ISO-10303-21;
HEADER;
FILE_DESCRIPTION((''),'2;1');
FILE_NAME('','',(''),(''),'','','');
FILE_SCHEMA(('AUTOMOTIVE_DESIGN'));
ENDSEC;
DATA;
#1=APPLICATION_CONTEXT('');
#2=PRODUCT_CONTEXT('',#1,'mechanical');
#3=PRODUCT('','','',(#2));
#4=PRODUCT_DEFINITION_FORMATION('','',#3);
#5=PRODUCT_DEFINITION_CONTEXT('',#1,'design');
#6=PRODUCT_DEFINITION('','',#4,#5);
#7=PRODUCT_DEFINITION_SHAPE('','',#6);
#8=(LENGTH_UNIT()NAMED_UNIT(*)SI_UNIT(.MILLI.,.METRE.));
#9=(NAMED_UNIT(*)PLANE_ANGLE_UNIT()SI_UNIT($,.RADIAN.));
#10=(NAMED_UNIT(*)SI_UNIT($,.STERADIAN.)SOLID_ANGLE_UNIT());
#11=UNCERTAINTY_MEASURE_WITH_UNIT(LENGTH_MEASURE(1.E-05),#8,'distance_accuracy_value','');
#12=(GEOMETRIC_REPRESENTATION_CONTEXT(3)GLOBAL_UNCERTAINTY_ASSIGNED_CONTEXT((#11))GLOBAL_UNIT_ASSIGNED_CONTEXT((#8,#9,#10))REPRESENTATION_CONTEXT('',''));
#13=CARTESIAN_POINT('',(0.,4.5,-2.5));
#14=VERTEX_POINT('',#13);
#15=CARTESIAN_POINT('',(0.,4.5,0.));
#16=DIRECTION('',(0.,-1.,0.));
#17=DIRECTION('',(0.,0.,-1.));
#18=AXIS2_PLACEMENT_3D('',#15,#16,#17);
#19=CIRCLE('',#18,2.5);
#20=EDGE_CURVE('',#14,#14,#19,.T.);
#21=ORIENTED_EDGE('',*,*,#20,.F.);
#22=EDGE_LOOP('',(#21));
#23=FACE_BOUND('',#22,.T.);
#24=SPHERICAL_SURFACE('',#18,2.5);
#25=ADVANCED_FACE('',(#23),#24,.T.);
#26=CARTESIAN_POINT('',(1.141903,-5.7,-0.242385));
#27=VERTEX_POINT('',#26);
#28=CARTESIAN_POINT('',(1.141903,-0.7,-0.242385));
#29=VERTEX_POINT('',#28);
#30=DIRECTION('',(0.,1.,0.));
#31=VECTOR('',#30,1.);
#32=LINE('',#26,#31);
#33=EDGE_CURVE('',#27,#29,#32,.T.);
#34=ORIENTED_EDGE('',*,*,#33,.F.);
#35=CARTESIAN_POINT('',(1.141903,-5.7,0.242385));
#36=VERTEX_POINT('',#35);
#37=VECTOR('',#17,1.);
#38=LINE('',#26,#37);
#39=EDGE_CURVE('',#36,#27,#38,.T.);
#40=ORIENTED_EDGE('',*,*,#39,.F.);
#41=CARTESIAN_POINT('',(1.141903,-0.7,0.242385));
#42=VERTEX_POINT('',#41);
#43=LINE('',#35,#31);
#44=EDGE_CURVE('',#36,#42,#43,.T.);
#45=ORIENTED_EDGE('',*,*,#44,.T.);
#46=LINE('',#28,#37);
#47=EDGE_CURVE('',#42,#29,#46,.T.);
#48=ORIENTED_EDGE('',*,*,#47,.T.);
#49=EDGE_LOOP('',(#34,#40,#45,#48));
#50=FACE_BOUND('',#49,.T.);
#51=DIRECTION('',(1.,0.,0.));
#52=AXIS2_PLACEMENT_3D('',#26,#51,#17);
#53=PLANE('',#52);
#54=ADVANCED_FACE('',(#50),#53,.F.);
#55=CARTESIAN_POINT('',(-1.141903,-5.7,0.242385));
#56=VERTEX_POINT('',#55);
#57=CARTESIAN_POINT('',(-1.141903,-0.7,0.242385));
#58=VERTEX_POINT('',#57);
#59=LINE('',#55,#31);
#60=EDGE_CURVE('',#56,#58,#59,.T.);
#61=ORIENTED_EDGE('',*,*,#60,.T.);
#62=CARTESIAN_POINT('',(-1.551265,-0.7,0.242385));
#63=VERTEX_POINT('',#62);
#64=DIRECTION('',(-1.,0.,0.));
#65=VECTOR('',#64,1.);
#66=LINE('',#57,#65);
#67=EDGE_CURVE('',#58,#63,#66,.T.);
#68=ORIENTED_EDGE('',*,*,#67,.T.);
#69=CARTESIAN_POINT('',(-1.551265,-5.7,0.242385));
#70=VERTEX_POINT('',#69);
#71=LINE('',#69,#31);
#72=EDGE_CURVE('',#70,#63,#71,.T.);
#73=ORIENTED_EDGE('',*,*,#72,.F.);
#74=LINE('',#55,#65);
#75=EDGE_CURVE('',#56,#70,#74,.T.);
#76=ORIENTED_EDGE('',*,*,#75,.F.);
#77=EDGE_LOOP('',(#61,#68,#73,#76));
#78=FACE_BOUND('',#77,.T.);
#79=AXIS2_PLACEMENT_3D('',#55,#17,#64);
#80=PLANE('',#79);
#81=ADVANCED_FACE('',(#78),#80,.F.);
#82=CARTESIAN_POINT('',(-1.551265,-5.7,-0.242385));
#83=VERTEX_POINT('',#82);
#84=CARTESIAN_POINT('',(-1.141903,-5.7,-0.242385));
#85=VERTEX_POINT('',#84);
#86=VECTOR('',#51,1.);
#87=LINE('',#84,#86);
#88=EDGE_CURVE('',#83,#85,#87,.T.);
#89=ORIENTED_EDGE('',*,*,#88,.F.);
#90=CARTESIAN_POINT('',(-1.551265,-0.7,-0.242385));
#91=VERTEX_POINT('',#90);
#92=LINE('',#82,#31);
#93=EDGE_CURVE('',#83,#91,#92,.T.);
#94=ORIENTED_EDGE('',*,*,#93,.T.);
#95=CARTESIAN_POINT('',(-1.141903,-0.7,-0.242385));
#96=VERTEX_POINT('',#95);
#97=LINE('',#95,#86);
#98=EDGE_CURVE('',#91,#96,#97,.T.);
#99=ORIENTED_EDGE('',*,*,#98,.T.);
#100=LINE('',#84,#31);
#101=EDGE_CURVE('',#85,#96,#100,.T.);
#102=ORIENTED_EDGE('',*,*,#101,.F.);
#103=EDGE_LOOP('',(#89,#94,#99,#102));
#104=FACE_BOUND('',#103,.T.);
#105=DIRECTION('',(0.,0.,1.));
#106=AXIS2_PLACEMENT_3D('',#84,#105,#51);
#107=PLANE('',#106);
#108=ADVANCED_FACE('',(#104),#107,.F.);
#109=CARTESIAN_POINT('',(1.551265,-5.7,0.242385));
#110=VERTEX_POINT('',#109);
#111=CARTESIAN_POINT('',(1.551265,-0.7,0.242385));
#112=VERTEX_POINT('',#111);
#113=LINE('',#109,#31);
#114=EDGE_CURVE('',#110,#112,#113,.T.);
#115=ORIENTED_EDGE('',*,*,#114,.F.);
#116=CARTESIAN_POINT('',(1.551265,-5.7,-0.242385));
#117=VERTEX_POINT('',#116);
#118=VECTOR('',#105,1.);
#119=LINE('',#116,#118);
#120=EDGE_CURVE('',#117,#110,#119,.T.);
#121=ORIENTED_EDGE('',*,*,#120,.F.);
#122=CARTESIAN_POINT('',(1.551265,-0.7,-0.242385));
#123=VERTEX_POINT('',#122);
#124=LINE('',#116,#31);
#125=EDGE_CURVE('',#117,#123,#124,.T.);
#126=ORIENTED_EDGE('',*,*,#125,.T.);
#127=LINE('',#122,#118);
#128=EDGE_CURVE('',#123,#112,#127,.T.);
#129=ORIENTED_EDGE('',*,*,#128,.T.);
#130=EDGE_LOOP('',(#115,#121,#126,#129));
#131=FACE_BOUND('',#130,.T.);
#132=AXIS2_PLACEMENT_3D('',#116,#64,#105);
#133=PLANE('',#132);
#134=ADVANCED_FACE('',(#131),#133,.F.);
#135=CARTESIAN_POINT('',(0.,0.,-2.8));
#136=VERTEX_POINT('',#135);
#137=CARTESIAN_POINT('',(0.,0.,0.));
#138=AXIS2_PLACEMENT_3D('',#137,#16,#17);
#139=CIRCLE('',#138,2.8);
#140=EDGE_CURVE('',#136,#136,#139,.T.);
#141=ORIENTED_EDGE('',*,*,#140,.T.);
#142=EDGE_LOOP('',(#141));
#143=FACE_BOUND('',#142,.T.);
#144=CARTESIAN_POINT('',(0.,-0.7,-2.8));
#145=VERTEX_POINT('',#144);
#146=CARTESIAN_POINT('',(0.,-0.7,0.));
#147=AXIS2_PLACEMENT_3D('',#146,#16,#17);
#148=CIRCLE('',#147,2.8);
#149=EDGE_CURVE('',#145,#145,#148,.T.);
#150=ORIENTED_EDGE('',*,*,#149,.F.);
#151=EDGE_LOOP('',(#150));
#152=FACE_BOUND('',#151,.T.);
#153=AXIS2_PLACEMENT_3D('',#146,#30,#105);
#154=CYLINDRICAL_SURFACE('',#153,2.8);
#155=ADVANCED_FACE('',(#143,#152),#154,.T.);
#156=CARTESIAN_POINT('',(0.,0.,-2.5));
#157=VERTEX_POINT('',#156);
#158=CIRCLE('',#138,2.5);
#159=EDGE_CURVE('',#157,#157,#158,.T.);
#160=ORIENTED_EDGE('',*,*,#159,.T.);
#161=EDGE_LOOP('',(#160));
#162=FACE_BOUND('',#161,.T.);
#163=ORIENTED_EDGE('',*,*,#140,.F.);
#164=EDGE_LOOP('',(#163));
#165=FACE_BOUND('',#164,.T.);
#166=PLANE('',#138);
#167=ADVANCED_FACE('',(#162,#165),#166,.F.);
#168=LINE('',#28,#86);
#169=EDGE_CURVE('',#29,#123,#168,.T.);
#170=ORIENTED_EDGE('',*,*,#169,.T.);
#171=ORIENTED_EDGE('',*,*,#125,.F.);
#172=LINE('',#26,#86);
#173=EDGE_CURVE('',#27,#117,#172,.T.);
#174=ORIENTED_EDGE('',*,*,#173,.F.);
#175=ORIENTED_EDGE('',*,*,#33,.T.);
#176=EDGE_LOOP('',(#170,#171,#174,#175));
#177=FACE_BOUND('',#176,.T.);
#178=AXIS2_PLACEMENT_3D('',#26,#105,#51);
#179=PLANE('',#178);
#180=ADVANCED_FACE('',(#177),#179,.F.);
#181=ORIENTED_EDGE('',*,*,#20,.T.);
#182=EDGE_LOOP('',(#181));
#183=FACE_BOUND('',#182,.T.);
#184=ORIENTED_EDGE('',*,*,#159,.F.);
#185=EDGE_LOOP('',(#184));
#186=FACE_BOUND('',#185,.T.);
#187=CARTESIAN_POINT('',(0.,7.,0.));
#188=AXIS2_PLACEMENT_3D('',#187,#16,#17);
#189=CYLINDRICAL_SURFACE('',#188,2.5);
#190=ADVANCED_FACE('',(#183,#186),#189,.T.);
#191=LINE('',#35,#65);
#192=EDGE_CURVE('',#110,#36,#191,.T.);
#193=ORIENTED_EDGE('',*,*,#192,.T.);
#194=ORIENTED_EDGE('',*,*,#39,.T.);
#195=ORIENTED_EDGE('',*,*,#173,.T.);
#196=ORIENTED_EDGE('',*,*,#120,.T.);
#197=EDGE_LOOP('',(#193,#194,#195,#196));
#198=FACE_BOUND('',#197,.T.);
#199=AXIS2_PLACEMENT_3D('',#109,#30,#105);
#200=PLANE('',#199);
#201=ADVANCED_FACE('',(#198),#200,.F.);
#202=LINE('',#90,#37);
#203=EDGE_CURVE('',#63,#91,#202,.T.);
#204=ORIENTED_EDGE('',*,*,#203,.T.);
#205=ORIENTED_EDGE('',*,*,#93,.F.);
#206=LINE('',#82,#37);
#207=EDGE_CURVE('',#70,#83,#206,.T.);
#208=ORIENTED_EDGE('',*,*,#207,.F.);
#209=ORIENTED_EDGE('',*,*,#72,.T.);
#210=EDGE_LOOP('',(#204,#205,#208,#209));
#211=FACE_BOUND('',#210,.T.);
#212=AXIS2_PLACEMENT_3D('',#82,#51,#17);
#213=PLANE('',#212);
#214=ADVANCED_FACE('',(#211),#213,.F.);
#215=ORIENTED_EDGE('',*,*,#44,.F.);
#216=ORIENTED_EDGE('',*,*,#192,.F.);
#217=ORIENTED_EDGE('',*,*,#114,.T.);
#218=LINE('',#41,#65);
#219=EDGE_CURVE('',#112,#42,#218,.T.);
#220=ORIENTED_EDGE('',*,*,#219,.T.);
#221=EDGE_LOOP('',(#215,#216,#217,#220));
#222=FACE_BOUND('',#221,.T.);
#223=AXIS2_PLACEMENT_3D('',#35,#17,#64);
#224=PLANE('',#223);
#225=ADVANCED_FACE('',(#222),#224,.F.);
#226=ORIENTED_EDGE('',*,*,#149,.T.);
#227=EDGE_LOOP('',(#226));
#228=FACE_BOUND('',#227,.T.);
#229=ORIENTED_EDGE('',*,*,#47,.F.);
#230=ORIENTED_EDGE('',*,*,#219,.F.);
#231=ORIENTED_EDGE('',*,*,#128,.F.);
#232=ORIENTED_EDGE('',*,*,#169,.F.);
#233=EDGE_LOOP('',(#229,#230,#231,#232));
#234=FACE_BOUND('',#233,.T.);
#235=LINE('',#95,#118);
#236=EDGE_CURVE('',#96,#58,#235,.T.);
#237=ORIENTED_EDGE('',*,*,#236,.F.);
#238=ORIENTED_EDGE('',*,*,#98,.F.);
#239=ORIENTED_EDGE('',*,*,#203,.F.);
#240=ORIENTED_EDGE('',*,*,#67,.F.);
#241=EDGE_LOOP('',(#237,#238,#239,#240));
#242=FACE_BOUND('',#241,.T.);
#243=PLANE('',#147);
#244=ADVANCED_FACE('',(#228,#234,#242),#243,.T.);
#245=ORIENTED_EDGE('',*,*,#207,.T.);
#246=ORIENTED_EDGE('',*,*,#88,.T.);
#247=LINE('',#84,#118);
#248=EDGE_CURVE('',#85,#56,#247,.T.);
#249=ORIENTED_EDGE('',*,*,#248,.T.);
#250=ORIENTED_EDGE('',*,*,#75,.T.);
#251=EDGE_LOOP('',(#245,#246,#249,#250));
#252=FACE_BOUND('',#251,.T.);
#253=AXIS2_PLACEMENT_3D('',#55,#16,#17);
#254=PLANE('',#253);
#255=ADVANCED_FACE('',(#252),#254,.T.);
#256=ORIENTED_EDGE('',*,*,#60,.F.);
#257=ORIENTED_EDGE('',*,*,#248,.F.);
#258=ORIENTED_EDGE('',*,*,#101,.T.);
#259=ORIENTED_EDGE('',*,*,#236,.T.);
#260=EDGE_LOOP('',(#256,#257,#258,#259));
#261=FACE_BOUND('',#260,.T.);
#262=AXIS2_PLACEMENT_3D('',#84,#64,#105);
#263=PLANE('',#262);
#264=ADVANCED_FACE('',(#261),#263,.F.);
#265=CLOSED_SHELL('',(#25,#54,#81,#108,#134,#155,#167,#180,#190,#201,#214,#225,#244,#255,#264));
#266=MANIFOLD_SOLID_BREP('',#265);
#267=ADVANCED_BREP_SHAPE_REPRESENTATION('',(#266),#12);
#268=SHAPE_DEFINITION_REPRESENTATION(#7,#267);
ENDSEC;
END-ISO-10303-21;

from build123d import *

# Parameters (mm, degrees)
SKETCH2_R           = 2.5
BOSS_EXTRUDE1_DEPTH = 7
SKETCH3_R           = 2.8
BOSS_EXTRUDE2_DEPTH = 0.7
FILLET1_R           = 2.5
SKETCH4_W           = 0.409361502
SKETCH4_H           = 0.4847702
BOSS_EXTRUDE3_DEPTH = 5


with BuildPart() as part:
    # Sketch2 → Boss-Extrude1 (new body)
    with BuildSketch(Plane(origin=(0, 0, 0), x_dir=(1, 0, 0), z_dir=(0, 1, 0))):
        Circle(SKETCH2_R)
    extrude(amount=BOSS_EXTRUDE1_DEPTH)

    # Sketch3 → Boss-Extrude2 (add)
    with BuildSketch(Plane.XZ):
        Circle(SKETCH3_R)
    extrude(amount=BOSS_EXTRUDE2_DEPTH)

    # Fillet1
    fillet1_edges = [part.edges().sort_by_distance(p)[0] for p in [
        (-2.5, 7, 0),
    ]]
    fillet(fillet1_edges, radius=FILLET1_R)

    # Sketch4 → Boss-Extrude3 (add)
    with BuildSketch(Plane.XZ.offset(0.7)):
        with Locations((1.346583888, 0)):
            Rectangle(SKETCH4_W, SKETCH4_H)
        with Locations((-1.346583888, 0)):
            Rectangle(SKETCH4_W, SKETCH4_H)
    extrude(amount=BOSS_EXTRUDE3_DEPTH)


solid = part.part
